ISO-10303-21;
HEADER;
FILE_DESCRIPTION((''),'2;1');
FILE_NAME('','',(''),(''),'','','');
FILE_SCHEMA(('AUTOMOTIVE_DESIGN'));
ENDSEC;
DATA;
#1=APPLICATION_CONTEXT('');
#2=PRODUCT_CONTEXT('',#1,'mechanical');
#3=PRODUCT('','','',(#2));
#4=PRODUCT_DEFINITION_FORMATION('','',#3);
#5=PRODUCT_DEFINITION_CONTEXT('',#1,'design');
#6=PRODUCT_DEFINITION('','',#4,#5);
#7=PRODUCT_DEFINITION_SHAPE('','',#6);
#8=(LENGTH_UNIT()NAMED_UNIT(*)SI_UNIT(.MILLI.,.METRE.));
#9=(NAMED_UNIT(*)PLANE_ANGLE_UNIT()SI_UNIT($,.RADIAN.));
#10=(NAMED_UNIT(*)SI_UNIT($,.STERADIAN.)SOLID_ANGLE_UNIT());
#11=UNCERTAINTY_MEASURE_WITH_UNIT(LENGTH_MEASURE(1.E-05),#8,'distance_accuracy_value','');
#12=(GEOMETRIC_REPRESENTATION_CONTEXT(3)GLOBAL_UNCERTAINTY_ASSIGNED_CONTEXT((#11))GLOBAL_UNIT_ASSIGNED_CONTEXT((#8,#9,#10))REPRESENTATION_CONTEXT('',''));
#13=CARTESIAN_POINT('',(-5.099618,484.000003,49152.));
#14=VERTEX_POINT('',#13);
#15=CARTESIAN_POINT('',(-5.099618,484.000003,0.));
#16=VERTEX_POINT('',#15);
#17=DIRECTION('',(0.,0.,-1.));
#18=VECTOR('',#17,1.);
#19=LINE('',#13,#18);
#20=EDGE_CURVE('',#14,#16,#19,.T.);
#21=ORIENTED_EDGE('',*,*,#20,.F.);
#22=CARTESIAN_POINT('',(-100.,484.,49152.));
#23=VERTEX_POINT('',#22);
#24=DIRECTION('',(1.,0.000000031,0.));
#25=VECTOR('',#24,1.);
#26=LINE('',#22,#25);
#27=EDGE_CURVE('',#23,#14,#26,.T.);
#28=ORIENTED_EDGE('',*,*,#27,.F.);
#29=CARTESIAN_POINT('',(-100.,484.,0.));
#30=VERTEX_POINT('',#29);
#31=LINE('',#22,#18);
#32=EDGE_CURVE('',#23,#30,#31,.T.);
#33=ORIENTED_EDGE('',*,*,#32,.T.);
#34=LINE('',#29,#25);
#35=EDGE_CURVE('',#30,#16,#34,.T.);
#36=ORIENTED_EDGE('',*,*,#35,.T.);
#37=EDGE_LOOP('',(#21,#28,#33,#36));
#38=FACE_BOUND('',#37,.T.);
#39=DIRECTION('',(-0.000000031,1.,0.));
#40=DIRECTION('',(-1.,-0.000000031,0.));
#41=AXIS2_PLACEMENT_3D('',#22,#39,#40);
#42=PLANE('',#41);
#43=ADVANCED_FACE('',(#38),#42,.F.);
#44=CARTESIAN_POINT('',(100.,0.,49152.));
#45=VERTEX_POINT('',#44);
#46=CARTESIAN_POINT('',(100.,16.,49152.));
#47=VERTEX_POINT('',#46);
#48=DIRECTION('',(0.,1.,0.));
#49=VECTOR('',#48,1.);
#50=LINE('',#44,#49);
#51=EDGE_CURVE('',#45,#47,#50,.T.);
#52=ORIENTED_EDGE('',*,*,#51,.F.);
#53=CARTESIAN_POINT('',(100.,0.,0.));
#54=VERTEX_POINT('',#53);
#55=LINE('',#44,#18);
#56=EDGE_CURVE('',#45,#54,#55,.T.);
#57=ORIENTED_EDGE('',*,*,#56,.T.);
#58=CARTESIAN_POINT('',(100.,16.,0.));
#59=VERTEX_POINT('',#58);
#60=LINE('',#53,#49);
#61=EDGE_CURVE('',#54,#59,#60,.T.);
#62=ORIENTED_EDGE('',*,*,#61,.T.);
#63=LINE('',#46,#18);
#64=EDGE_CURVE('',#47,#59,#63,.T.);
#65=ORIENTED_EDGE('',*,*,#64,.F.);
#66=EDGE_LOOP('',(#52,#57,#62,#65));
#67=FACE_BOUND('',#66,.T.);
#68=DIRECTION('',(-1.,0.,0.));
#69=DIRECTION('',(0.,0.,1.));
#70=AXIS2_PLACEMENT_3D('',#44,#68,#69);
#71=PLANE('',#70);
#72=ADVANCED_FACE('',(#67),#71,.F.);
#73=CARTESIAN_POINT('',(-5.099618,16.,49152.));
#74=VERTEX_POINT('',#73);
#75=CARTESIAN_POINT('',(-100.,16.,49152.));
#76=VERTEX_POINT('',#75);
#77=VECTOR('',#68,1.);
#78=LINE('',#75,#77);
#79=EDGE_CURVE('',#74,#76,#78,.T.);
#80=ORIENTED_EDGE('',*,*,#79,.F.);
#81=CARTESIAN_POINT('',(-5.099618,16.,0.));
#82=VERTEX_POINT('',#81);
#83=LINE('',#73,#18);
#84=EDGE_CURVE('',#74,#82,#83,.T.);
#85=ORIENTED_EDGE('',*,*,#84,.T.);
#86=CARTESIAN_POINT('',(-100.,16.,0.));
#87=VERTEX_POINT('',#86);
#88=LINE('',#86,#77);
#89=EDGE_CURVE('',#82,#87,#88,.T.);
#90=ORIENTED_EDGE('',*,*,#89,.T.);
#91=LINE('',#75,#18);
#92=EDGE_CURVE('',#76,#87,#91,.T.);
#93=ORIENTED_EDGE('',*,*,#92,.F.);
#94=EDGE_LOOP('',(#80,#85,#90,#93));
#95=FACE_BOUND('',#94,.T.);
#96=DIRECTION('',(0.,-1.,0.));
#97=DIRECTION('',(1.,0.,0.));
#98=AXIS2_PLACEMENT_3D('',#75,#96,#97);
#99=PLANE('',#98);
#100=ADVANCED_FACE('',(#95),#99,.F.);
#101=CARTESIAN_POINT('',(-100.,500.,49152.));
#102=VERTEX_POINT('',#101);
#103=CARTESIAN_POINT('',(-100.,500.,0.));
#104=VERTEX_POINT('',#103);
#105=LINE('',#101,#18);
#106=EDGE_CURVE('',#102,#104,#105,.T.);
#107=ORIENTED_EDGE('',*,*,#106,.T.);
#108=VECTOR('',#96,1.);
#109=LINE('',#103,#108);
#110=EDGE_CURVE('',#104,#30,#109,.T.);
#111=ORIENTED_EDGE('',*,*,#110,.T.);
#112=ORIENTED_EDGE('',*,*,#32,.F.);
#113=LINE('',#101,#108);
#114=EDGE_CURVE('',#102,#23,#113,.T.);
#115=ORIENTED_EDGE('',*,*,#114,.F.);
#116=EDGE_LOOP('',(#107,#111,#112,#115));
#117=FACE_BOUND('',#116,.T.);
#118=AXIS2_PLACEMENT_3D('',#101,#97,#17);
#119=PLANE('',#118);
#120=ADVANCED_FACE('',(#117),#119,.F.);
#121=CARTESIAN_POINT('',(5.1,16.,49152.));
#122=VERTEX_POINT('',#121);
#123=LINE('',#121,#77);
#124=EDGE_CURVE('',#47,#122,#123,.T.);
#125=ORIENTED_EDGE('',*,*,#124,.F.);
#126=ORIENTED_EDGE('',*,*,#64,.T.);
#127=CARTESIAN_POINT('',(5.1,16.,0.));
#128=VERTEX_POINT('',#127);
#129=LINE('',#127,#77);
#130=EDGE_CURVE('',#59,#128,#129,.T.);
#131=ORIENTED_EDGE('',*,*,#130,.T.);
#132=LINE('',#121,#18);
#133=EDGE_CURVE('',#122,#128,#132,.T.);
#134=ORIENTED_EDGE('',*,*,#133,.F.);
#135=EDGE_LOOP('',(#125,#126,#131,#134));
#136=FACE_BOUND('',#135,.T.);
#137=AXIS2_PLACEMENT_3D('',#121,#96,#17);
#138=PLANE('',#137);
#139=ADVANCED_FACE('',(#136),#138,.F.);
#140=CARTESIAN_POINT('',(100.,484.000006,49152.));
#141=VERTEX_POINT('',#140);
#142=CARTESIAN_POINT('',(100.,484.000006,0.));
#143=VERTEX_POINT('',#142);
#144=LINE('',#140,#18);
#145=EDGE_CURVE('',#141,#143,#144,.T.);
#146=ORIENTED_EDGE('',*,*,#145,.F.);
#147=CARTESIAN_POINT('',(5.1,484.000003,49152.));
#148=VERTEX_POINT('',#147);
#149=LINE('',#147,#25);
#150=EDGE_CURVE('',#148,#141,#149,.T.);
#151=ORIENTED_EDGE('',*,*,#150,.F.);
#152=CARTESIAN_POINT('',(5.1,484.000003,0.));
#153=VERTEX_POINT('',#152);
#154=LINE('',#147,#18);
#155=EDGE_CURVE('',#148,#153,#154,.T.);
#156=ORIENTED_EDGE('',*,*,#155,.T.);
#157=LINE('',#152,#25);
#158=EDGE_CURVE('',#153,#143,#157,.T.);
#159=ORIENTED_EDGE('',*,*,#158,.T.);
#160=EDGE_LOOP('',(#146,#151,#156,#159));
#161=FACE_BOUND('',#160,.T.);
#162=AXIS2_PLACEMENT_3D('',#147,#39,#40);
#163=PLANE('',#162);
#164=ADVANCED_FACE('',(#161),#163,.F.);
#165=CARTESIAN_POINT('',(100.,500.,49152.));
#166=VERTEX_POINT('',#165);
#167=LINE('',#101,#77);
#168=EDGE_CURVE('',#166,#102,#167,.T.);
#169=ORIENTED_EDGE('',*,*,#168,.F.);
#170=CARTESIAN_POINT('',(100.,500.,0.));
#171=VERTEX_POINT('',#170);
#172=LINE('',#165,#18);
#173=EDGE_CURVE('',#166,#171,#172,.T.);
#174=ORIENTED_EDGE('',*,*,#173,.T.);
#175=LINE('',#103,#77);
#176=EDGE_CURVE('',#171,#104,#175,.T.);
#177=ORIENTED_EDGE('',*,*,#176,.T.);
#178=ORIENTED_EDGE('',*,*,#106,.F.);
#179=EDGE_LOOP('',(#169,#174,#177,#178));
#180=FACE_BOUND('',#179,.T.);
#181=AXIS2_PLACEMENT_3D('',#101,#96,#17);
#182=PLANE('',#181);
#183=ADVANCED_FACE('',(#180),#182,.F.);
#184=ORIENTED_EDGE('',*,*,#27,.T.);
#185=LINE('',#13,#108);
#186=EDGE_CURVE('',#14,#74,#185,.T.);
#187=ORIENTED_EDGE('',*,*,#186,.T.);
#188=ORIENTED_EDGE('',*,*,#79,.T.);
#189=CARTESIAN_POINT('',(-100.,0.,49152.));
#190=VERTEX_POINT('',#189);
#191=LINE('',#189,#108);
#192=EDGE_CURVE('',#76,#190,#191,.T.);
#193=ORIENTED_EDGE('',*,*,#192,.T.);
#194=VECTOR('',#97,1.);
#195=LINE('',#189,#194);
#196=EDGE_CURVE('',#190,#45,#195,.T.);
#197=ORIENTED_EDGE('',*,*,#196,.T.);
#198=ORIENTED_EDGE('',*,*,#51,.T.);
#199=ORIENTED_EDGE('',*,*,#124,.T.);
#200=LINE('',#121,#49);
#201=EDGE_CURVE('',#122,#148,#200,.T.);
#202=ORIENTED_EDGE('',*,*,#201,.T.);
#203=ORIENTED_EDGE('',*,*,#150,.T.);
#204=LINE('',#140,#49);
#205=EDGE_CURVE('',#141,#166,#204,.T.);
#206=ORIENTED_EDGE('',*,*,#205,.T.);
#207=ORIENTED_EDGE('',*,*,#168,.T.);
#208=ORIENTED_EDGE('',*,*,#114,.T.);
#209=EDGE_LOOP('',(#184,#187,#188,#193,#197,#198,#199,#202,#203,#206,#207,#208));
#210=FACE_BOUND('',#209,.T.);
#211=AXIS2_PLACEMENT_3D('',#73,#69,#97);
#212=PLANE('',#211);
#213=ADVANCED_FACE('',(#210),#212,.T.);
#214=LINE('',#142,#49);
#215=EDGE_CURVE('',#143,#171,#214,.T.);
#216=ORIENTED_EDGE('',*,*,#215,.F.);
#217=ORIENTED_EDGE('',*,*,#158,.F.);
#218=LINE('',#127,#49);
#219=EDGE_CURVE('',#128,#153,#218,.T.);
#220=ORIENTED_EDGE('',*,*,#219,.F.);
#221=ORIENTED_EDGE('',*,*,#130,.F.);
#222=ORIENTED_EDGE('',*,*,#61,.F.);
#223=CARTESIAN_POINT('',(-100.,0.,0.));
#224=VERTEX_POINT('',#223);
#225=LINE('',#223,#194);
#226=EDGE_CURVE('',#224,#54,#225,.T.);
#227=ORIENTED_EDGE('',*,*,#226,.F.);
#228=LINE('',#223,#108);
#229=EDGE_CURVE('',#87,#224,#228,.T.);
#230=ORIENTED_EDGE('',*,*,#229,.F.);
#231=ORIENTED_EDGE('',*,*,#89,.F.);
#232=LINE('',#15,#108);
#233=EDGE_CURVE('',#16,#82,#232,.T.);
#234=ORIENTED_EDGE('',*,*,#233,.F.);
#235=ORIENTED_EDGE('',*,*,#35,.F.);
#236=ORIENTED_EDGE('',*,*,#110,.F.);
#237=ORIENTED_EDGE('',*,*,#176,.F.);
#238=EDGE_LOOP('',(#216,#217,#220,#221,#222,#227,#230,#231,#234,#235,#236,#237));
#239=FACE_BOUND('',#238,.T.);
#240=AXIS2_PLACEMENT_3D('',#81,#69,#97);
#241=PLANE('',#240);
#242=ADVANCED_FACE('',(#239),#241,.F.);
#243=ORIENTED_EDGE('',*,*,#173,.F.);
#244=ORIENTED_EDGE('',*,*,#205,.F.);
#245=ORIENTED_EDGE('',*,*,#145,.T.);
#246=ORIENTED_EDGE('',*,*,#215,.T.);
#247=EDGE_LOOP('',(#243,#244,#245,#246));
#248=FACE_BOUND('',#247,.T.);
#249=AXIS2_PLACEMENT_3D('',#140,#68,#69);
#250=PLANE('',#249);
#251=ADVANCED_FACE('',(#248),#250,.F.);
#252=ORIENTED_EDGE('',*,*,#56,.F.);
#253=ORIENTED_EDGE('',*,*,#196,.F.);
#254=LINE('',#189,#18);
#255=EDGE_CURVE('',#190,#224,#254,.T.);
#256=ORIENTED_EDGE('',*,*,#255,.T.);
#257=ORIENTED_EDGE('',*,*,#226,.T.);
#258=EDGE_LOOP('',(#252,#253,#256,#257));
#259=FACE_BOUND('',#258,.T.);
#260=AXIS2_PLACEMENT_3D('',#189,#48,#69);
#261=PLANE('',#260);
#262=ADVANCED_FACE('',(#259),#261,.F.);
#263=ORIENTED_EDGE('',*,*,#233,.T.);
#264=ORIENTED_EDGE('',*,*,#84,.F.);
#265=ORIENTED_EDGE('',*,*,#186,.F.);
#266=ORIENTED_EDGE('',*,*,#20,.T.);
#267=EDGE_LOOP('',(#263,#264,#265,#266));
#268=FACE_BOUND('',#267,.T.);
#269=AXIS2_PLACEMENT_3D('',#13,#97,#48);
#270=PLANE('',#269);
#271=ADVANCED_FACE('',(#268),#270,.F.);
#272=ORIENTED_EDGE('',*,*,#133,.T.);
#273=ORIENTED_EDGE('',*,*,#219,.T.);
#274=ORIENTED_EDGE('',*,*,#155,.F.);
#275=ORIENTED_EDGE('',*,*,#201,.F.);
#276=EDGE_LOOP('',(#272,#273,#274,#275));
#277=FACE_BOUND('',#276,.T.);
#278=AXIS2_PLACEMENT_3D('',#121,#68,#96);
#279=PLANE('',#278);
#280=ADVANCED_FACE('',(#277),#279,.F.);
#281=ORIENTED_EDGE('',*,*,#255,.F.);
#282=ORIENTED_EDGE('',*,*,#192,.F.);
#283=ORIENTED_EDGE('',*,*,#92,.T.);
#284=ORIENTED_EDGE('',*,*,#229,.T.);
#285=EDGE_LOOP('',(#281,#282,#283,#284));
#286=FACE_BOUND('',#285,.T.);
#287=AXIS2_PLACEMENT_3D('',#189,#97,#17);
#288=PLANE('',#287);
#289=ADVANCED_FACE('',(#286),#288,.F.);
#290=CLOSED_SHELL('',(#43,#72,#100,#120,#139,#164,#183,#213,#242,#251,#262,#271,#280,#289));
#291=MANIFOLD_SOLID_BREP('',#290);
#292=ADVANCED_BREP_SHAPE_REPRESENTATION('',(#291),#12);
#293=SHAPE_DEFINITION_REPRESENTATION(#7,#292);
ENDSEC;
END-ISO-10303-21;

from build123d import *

# Parameters (mm, degrees)
BOSS_EXTRUDE1_DEPTH = 49152


with BuildPart() as part:
    # Sketch1 → Boss-Extrude1 (new body)
    with BuildSketch(Plane.XY):
        Polygon((100, 0), (100, 16), (5.1, 16), (5.1, 484.000003206), (100, 484.0000061), (100, 500), (-100, 500), (-100, 484), (-5.099618, 484.000002894), (-5.099618, 16), (-100, 16), (-100, 0), align=None)
    extrude(amount=BOSS_EXTRUDE1_DEPTH)


solid = part.part
